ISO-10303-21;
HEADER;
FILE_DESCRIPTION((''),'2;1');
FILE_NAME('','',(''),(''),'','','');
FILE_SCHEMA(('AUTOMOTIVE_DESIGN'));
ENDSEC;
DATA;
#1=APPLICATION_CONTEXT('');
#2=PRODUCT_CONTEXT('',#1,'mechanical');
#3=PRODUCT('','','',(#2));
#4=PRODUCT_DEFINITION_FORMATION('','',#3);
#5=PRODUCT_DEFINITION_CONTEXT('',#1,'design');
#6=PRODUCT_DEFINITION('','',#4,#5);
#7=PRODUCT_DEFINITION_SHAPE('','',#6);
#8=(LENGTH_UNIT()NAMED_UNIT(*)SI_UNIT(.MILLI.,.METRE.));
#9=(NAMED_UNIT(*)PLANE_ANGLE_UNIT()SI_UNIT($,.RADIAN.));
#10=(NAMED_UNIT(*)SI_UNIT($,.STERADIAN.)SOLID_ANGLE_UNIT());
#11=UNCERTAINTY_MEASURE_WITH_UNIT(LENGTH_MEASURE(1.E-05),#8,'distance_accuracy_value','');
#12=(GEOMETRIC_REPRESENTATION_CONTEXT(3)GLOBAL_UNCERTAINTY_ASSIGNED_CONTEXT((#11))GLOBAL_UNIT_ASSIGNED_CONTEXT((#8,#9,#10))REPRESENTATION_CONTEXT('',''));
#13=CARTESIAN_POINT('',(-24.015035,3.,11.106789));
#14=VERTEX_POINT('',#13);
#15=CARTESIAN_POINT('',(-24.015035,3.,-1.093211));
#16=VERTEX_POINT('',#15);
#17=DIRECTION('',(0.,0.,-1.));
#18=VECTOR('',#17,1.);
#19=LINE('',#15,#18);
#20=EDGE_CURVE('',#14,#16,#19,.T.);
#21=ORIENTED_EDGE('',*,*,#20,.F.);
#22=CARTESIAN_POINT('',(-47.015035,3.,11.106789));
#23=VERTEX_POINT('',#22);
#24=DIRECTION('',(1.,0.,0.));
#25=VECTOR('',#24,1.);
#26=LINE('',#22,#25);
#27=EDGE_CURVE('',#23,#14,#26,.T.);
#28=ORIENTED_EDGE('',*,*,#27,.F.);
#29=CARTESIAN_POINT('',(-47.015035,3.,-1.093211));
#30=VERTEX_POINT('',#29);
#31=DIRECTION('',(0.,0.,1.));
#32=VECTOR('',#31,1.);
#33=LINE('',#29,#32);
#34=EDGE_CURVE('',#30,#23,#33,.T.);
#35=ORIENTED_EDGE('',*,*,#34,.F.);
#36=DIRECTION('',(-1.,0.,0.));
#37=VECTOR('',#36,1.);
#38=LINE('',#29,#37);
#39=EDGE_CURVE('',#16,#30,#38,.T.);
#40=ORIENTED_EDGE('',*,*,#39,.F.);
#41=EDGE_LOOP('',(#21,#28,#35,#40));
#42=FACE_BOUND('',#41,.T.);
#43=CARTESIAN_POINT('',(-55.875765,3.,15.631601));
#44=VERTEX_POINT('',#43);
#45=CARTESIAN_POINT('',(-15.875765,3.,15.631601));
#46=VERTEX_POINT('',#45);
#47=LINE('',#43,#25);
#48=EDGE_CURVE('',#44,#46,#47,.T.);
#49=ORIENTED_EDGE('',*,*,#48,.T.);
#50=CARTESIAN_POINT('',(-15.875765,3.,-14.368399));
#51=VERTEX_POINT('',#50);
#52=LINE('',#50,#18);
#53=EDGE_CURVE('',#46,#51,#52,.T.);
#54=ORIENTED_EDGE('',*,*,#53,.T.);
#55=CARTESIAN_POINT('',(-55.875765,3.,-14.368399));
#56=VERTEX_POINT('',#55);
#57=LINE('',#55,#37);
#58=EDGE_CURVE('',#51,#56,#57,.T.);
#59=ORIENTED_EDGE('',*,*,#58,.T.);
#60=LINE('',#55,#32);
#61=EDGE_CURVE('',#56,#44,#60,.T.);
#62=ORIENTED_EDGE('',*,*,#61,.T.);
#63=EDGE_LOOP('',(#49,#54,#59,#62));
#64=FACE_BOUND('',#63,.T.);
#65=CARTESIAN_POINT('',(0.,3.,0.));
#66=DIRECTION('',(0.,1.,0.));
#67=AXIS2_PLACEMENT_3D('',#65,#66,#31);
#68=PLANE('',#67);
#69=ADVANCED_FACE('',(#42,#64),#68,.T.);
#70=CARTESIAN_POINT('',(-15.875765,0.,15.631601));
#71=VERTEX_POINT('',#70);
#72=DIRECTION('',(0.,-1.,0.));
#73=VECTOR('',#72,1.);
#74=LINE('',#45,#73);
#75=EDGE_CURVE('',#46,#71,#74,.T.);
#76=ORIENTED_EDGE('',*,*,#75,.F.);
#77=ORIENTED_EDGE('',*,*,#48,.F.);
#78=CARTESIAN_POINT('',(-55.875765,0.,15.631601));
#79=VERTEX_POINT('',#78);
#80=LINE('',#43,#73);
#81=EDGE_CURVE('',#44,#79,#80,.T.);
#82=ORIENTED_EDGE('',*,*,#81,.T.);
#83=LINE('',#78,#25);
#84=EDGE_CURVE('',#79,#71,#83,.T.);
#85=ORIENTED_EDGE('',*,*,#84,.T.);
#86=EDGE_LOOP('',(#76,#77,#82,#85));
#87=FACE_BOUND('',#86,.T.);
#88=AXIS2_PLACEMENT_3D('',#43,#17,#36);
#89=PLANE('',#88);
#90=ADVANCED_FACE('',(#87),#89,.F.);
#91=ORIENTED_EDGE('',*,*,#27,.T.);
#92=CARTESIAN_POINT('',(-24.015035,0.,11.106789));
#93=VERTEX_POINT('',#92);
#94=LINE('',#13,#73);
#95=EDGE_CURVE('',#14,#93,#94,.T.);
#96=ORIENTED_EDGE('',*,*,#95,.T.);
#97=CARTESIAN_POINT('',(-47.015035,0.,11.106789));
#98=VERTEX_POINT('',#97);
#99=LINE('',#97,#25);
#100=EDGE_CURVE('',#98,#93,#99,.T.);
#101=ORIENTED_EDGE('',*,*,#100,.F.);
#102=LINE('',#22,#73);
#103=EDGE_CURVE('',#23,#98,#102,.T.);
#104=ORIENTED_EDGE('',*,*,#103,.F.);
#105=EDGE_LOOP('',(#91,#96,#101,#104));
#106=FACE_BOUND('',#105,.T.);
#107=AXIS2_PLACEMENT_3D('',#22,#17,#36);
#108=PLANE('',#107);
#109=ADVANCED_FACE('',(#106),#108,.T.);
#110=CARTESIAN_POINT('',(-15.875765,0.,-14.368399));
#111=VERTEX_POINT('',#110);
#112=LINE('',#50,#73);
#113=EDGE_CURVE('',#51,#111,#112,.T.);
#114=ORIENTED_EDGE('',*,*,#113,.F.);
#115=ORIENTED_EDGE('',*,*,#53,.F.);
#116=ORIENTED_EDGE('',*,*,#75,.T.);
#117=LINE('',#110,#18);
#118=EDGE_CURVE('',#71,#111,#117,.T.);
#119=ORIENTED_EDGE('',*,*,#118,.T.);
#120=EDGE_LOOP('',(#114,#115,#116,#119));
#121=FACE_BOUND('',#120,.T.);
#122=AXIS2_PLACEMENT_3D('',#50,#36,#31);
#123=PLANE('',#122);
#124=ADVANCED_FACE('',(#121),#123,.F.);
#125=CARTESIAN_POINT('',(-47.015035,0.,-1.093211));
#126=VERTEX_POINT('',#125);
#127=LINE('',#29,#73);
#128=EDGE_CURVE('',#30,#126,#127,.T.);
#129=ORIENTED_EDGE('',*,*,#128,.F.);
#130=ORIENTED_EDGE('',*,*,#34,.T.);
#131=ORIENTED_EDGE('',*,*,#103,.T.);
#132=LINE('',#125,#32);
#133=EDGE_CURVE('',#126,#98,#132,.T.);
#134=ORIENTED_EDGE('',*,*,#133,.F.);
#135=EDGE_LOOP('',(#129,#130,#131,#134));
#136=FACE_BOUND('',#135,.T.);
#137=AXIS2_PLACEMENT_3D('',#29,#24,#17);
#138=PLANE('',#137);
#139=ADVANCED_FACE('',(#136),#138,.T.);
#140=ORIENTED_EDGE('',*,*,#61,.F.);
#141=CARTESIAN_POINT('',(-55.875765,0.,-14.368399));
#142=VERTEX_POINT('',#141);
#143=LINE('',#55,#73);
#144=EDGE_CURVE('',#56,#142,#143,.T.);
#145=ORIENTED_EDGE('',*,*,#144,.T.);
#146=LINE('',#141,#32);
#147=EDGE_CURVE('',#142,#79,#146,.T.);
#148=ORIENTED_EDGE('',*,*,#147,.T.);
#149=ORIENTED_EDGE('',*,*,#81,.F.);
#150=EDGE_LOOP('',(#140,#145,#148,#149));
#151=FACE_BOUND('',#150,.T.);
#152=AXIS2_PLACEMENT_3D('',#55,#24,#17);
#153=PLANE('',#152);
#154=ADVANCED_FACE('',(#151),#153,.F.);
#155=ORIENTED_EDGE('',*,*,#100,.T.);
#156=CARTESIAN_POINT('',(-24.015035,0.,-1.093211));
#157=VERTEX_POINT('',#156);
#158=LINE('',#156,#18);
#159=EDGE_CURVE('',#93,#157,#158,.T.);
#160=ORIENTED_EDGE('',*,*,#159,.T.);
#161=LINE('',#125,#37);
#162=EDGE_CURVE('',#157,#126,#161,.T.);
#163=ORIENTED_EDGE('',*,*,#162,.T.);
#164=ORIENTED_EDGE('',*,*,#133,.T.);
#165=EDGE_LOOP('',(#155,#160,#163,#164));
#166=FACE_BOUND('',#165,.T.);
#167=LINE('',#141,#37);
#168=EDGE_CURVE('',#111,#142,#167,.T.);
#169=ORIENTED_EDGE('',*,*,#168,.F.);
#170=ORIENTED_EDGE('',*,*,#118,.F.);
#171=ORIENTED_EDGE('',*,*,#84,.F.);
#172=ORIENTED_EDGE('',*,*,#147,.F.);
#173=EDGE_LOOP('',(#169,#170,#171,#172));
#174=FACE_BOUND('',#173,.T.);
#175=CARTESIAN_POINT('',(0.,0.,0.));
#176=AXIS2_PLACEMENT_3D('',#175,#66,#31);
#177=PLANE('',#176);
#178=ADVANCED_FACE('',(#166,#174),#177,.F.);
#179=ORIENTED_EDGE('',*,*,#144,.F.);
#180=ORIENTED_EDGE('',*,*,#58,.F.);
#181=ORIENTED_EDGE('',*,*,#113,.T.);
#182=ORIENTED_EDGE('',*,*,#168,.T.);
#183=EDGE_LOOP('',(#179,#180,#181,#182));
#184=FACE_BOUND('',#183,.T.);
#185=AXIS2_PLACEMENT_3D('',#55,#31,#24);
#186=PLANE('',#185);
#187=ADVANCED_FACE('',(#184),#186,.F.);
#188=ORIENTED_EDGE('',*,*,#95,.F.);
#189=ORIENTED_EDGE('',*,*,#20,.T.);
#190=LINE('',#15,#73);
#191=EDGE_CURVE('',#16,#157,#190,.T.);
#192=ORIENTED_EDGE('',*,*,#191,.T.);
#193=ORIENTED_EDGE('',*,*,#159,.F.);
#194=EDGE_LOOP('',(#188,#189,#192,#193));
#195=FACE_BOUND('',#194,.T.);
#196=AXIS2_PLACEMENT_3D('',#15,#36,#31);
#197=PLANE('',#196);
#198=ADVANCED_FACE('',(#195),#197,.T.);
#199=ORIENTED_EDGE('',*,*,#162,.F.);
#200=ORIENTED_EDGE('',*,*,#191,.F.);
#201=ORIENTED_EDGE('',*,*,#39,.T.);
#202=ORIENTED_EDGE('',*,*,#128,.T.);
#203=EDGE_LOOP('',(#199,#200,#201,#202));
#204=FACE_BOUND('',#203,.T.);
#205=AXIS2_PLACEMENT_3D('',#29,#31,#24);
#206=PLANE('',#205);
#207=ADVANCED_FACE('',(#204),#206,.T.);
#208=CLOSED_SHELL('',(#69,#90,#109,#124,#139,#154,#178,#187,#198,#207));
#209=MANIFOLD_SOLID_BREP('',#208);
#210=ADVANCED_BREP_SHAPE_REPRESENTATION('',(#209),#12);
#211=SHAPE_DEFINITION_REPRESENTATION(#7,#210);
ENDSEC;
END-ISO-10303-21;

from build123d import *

# Parameters (mm, degrees)
SKETCH1_W           = 40
SKETCH1_H           = 30
SKETCH1_W_2         = 23
SKETCH1_H_2         = 12.2
BOSS_EXTRUDE1_DEPTH = 3


with BuildPart() as part:
    # Sketch1 → Boss-Extrude1 (new body)
    with BuildSketch(Plane(origin=(0, 0, 0), x_dir=(1, 0, 0), z_dir=(0, 1, 0))):
        with Locations((-35.875765281, -0.631601363)):
            Rectangle(SKETCH1_W, SKETCH1_H)
        with Locations((-35.515035206, -5.006788759)):
            Rectangle(SKETCH1_W_2, SKETCH1_H_2, mode=Mode.SUBTRACT)
    extrude(amount=BOSS_EXTRUDE1_DEPTH)


solid = part.part
